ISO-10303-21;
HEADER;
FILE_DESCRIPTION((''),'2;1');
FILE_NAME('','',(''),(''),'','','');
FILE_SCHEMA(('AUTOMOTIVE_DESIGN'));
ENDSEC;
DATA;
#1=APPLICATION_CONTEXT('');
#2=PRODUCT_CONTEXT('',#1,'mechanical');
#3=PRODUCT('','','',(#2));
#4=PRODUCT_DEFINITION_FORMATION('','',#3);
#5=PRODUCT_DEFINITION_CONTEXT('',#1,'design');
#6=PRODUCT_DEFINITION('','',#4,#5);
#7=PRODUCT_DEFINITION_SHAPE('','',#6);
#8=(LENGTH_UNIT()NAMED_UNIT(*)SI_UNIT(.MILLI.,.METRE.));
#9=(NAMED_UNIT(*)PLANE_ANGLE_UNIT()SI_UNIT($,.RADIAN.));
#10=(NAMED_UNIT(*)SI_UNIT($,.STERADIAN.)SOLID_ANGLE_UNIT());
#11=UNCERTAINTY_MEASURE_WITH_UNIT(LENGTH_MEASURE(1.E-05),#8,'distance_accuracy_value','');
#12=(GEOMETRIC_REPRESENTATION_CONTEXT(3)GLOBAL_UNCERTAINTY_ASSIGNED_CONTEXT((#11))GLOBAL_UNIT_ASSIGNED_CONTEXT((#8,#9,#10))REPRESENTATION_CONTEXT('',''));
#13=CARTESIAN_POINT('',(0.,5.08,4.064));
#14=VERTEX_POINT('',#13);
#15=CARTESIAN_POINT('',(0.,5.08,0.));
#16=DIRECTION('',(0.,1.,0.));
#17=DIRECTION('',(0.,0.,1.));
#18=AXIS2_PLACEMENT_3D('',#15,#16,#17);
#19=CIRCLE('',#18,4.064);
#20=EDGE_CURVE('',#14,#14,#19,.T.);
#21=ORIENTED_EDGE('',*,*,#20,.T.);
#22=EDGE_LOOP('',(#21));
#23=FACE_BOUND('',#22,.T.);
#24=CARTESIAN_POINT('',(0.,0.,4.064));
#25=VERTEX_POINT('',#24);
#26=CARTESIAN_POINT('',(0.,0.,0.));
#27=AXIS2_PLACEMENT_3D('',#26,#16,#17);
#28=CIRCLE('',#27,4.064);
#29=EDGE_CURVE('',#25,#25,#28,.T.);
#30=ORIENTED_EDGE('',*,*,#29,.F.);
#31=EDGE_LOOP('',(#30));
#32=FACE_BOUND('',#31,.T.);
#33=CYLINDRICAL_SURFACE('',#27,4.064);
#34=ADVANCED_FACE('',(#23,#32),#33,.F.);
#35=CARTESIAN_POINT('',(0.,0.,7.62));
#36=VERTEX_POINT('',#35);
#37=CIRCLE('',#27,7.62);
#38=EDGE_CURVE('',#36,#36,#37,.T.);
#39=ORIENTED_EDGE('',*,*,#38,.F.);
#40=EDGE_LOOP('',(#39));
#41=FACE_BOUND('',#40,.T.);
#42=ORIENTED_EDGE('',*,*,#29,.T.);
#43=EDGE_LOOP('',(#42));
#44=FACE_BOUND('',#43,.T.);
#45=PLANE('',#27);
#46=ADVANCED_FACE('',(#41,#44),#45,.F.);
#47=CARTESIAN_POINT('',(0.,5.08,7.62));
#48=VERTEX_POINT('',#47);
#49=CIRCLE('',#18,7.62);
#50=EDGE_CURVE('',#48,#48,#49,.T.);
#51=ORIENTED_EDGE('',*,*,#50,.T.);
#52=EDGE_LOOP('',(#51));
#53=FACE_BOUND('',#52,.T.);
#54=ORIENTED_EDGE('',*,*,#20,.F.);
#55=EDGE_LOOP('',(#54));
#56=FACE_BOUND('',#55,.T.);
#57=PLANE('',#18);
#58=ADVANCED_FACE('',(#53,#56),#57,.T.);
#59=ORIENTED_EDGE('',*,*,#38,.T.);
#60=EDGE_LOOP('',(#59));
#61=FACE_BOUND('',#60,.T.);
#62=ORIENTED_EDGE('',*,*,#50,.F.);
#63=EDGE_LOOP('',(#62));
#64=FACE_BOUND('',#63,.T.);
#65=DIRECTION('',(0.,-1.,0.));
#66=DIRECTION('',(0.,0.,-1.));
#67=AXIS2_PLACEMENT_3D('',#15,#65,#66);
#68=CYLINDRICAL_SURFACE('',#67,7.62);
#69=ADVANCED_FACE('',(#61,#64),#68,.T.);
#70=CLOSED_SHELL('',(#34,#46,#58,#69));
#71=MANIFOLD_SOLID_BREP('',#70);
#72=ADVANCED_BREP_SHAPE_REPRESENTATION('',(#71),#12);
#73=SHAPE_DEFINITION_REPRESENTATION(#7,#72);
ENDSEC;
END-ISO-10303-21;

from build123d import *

# Parameters (mm, degrees)
SKETCH3_R           = 7.62
BOSS_EXTRUDE1_DEPTH = 5.08
SKETCH4_R           = 4.064
CUT_EXTRUDE1_DEPTH  = 5.08


with BuildPart() as part:
    # Sketch3 → Boss-Extrude1 (new body)
    with BuildSketch(Plane(origin=(0, 0, 0), x_dir=(1, 0, 0), z_dir=(0, 1, 0))):
        with Locations(Location((0, 0, 0), (0, 0, 270))):
            Circle(SKETCH3_R)
    extrude(amount=BOSS_EXTRUDE1_DEPTH)

    # Sketch4 → Cut-Extrude1 (cut)
    with BuildSketch(Plane(origin=(0, 5.08, 0), x_dir=(1, 0, 0), z_dir=(0, 1, 0))):
        with Locations(Location((0, 0, 0), (0, 0, 270))):
            Circle(SKETCH4_R)
    extrude(amount=-CUT_EXTRUDE1_DEPTH, mode=Mode.SUBTRACT)


solid = part.part
